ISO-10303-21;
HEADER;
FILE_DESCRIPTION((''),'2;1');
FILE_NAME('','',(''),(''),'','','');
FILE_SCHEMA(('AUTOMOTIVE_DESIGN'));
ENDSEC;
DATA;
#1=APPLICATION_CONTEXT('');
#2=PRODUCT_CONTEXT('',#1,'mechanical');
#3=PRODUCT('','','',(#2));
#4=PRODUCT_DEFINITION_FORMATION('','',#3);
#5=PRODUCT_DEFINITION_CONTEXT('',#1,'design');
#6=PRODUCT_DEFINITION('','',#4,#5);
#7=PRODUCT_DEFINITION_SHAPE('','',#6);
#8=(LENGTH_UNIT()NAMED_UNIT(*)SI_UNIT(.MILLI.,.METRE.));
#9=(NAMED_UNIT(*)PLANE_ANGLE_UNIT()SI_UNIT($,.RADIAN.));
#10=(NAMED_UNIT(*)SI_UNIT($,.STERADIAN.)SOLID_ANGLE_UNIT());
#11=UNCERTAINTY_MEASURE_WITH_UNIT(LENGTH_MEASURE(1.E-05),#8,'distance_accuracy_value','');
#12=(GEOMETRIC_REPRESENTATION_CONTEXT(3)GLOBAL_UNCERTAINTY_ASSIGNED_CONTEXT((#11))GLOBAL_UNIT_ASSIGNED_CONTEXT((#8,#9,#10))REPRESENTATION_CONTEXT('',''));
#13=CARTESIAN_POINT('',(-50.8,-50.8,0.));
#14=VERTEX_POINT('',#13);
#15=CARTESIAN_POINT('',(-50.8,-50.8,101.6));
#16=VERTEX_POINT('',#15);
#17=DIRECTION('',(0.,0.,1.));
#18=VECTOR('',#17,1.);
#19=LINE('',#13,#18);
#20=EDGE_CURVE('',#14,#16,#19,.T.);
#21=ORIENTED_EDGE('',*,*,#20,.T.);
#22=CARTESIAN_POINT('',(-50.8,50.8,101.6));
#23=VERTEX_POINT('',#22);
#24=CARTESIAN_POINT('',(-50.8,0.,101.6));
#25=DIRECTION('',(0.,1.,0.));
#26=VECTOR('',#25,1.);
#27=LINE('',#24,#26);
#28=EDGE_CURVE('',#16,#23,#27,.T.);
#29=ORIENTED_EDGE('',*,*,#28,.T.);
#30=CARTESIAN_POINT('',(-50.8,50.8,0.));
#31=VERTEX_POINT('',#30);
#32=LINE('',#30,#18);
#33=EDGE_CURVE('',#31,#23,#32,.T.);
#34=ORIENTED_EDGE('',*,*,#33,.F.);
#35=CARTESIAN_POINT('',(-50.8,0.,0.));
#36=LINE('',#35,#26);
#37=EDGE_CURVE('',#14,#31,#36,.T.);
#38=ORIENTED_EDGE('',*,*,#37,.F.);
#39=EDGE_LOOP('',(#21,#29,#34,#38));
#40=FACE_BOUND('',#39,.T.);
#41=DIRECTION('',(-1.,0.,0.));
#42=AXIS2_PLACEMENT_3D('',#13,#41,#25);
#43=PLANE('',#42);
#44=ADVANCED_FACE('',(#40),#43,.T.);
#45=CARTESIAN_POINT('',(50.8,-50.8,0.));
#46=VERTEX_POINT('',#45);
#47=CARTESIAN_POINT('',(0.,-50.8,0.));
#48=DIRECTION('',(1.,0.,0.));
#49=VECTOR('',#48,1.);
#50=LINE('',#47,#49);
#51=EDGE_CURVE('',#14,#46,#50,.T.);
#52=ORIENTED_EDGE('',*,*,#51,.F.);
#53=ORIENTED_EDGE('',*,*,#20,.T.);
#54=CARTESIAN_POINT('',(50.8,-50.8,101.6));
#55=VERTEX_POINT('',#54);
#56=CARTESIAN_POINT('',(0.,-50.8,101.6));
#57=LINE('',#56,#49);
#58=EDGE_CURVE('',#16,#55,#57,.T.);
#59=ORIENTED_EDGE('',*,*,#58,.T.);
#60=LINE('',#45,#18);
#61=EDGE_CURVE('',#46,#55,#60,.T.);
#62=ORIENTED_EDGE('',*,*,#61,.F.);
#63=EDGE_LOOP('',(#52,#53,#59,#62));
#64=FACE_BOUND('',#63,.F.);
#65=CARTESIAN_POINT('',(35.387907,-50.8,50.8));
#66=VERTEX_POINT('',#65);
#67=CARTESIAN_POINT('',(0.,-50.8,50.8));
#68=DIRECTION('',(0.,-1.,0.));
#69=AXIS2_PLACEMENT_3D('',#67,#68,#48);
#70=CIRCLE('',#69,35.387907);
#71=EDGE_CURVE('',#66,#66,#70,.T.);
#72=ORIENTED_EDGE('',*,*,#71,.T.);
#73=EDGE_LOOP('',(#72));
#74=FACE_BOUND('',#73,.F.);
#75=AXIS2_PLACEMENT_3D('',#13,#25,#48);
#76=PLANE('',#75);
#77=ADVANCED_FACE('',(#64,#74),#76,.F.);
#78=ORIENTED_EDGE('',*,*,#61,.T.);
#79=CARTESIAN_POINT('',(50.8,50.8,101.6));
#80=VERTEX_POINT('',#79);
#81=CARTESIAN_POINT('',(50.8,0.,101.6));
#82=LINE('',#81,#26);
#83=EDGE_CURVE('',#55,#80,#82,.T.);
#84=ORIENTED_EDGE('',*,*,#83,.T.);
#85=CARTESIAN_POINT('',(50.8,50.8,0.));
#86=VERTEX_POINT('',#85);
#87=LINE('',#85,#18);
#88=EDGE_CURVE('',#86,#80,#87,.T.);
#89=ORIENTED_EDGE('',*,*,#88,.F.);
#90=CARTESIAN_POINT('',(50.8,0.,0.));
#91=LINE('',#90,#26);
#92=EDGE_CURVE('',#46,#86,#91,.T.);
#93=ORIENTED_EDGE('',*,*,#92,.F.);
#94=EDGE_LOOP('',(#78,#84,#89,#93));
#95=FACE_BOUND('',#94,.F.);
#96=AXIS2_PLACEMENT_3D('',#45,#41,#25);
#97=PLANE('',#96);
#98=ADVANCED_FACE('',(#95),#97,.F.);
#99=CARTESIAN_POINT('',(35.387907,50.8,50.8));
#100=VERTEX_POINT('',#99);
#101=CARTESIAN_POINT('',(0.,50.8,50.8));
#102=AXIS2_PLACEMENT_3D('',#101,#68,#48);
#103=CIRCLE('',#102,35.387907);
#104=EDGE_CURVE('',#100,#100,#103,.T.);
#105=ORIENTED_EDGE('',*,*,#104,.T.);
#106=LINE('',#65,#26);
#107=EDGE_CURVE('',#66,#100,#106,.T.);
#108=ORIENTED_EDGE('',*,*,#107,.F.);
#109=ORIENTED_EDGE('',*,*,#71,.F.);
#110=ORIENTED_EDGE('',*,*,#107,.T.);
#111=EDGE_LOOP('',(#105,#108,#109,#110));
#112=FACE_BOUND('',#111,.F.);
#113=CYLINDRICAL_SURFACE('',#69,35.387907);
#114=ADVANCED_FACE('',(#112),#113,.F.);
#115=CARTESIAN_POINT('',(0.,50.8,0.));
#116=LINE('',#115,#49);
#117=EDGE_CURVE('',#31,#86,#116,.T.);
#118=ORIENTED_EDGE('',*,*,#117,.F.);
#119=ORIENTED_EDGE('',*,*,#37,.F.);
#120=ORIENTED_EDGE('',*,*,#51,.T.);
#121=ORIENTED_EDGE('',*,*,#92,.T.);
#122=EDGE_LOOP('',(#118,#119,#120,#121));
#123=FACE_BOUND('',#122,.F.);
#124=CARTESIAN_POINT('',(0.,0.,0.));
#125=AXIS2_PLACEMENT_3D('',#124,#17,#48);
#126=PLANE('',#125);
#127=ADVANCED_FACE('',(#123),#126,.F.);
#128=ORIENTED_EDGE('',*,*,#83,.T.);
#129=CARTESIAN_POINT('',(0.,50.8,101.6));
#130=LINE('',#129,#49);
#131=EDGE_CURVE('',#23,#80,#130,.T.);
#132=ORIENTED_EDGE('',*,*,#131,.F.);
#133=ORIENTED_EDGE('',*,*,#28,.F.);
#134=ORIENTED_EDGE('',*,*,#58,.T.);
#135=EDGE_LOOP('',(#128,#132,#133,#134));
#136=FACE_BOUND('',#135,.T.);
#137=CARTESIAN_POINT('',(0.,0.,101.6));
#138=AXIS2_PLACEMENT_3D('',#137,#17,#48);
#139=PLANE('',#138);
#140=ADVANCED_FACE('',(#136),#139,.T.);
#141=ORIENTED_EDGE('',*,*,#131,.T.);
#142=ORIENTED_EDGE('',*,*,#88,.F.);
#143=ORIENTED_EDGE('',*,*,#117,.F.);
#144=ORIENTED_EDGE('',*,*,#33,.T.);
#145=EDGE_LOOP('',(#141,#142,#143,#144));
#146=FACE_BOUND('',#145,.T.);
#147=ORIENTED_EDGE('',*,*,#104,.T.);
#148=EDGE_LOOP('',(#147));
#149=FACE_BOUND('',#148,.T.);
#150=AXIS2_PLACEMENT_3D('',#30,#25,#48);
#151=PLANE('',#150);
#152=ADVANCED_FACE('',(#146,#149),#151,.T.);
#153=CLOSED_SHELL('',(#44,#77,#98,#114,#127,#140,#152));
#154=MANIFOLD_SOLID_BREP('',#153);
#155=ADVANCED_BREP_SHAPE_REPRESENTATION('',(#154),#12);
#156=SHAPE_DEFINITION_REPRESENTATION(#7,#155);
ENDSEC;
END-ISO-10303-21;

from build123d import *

# Parameters (mm, degrees)
F1_W     = 101.6
F1_H     = 101.6
F2_DEPTH = 101.6
F3_R     = 35.387907
F0_DEPTH = 127


with BuildPart() as f2:
    # F1 (on Top) → F2 (new body)
    with BuildSketch(Plane.XY):
        Rectangle(F1_W, F1_H)
    extrude(amount=F2_DEPTH)

    # F3 (on face) → F0 (cut)
    with BuildSketch(Plane.XZ.offset(50.8)):
        with Locations((0, 50.8)):
            Circle(F3_R)
    extrude(amount=-F0_DEPTH, mode=Mode.SUBTRACT)


solid = f2.part
